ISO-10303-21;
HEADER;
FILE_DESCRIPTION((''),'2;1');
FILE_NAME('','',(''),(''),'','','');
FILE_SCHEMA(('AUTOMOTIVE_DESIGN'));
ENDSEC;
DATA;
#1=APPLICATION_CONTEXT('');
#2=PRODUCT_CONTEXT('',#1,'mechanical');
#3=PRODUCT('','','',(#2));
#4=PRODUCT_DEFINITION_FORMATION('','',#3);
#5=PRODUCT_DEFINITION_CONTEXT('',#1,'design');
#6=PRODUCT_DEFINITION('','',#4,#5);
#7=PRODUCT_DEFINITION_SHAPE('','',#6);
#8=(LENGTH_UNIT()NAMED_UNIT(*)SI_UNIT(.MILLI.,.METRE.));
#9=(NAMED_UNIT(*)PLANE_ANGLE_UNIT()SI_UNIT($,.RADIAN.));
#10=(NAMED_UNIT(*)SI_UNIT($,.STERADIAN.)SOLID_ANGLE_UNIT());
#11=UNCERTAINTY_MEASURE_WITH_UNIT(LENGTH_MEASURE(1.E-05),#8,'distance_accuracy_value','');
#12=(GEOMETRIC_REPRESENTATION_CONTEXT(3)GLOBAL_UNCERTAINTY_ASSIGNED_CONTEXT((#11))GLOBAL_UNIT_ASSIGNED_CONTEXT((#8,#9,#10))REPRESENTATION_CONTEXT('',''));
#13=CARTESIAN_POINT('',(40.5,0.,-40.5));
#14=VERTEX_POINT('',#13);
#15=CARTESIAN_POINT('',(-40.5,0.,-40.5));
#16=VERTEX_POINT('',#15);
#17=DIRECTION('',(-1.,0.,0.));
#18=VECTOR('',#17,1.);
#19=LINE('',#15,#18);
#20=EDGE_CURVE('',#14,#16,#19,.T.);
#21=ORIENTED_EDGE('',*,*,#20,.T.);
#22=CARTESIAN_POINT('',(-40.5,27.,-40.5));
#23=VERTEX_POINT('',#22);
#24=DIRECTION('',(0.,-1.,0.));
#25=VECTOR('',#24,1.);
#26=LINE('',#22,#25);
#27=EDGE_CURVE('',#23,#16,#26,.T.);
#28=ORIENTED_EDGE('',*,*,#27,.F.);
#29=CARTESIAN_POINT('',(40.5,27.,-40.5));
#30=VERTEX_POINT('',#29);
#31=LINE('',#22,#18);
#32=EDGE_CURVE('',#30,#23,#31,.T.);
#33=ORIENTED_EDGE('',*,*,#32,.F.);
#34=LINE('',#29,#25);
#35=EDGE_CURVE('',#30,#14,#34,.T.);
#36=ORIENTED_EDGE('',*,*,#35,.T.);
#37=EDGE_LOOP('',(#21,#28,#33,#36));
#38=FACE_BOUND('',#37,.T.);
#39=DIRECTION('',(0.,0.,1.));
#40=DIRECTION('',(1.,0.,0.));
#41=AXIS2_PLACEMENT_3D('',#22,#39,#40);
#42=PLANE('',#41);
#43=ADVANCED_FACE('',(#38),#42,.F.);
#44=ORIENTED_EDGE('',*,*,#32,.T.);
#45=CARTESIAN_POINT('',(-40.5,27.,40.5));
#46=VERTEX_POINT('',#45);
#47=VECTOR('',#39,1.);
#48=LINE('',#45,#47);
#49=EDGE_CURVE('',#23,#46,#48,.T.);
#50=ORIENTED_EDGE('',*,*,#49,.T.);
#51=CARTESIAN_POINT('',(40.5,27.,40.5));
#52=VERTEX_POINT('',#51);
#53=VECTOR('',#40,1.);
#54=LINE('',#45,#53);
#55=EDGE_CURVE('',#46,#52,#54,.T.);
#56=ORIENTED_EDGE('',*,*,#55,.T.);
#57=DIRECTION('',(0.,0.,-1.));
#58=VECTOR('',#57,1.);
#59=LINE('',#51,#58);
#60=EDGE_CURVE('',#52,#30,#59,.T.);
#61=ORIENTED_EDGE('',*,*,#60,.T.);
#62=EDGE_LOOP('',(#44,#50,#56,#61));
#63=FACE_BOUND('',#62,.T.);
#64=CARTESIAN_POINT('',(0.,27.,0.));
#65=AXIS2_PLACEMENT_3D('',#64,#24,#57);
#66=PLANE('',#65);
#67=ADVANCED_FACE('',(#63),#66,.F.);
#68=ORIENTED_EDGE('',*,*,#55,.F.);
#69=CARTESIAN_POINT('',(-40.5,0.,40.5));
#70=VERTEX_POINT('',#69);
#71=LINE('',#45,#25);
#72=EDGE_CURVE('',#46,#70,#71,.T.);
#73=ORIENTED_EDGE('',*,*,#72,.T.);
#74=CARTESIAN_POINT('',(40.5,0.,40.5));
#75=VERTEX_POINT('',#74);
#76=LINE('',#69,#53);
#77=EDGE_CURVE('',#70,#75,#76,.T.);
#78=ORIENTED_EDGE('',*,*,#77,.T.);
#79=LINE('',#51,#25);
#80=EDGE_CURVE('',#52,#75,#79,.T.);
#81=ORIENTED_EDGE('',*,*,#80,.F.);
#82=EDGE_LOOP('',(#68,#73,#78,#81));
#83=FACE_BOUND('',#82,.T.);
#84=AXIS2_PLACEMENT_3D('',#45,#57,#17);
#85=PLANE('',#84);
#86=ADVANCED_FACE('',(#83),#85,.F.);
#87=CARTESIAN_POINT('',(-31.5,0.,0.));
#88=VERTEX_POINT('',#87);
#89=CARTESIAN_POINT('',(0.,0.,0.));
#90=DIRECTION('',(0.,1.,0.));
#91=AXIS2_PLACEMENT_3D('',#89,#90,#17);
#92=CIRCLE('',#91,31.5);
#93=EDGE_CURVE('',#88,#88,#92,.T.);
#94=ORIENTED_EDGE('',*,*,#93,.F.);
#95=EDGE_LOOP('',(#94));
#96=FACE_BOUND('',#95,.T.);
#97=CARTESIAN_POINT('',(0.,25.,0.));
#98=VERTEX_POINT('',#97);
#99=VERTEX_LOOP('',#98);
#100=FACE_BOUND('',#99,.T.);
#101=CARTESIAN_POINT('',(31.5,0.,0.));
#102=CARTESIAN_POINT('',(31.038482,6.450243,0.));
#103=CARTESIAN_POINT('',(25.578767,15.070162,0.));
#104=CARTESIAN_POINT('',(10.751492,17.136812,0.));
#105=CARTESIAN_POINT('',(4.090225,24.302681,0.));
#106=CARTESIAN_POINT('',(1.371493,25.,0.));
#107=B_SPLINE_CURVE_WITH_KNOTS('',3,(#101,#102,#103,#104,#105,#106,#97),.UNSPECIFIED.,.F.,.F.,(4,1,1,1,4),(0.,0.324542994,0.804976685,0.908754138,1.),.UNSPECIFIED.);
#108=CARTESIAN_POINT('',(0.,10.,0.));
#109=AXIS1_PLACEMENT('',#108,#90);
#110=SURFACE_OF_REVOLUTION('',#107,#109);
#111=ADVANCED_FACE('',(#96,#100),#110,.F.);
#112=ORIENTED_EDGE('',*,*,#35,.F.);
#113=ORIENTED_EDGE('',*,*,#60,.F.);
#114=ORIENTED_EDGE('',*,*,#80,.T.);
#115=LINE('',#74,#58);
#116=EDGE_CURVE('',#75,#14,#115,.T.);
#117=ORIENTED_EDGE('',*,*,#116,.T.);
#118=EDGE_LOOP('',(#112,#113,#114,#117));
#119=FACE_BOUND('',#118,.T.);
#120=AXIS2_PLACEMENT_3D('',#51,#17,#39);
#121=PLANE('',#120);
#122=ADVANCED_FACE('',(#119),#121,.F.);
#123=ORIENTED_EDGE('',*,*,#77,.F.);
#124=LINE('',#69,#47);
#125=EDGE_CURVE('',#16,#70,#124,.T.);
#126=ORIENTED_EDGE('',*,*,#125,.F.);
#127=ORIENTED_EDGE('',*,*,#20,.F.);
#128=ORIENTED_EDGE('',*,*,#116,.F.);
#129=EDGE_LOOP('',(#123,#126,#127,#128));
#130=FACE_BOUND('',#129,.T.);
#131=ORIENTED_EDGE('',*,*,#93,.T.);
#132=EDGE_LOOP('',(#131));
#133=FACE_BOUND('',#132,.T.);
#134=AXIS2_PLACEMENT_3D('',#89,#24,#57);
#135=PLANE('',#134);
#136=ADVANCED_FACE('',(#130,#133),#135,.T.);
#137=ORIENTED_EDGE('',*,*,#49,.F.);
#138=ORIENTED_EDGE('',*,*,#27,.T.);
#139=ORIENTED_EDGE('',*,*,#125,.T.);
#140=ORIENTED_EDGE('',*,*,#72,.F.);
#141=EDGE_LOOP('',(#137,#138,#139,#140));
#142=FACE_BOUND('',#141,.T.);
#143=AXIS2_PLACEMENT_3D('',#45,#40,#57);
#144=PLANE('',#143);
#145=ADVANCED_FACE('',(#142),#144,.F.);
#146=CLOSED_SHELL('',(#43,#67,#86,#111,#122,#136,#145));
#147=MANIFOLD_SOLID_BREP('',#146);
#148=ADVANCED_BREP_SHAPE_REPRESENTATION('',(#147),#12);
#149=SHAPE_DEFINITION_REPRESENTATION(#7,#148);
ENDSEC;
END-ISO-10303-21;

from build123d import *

# Parameters (mm, degrees)
SKETCH11_W          = 81
SKETCH11_H          = 81
BOSS_EXTRUDE1_DEPTH = 27


with BuildPart() as part:
    # Sketch11 → Boss-Extrude1 (new body)
    with BuildSketch(Plane(origin=(0, 0, 0), x_dir=(1, 0, 0), z_dir=(0, 1, 0))):
        Rectangle(SKETCH11_W, SKETCH11_H)
    extrude(amount=BOSS_EXTRUDE1_DEPTH)

    # Sketch1 → Cut-Revolve1 (revolve, cut)
    with BuildSketch(Plane.XY):
        with BuildLine():
            Line((0, 25), (0, 10))
            Line((0, 10), (0, -10))
            Line((0, -10), (31.5, -10))
            Line((31.5, -10), (31.5, 0))
            add(Edge.make_bspline(
                [(0, 25), (1.37149288, 25), (4.090224786, 24.302680674), (10.751491586, 17.136812446), (25.578767024, 15.070162158), (31.038481607, 6.450242929), (31.5, 0)],
                knots=[0, 0, 0, 0, 0.091245862, 0.195023315, 0.675457006, 1, 1, 1, 1], degree=3))
        make_face()
    revolve(axis=Axis((0, 10, 0), (0, -1, 0)), mode=Mode.SUBTRACT)


solid = part.part
